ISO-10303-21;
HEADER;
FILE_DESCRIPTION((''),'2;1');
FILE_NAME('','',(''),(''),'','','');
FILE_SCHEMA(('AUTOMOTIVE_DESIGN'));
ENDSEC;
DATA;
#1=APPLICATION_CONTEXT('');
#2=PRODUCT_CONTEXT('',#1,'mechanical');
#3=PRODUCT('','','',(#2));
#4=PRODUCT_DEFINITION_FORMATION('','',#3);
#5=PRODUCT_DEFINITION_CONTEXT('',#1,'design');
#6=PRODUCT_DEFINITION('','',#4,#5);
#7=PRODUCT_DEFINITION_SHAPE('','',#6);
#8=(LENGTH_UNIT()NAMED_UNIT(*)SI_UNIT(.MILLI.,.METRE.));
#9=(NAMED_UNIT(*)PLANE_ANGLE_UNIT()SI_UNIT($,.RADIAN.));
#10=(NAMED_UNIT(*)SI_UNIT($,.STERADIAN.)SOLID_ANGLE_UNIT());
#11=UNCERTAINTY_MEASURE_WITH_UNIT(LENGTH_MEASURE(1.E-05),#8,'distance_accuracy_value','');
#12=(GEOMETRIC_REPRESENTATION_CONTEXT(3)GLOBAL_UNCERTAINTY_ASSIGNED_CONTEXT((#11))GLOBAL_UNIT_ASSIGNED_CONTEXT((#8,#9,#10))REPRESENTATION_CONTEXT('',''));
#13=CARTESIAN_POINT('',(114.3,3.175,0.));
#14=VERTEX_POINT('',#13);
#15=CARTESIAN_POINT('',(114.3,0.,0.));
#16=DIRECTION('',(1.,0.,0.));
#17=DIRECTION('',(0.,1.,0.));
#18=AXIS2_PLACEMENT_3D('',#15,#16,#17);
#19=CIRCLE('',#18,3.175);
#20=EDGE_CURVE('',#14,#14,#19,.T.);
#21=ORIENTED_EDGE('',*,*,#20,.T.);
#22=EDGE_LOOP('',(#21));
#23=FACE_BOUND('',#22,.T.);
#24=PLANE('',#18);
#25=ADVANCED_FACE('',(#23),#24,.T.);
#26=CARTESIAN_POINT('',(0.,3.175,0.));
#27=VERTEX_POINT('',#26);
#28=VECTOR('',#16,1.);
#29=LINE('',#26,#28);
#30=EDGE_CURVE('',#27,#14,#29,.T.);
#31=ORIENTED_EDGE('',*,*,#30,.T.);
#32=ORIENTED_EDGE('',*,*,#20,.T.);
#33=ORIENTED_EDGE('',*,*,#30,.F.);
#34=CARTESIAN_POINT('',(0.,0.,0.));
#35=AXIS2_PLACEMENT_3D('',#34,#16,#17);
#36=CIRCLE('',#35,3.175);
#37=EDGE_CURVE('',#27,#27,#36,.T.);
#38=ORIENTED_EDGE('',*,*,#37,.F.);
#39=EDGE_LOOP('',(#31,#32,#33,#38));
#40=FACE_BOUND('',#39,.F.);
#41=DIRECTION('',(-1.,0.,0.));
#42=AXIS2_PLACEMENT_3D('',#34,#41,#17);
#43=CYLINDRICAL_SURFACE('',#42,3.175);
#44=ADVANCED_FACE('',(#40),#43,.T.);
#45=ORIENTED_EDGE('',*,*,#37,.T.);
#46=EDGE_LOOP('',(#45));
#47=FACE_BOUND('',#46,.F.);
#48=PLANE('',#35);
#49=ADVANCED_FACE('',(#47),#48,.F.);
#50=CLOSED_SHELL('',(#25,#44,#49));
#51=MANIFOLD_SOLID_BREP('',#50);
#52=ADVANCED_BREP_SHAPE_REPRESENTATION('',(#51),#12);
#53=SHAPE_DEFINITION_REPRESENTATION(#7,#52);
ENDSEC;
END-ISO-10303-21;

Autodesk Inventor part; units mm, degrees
ref_plane "YZ Plane" through (0, 0, 0) normal (1, 0, 0) x (0, 1, 0)
ref_plane "XZ Plane" through (0, 0, 0) normal (0, 1, 0) x (-1, 0, 0)
ref_plane "XY Plane" through (0, 0, 0) normal (0, 0, 1) x (1, 0, 0)
sketch "Sketch1" plane through (0, 0, 0) normal (1, 0, 0) x (0, 1, 0)
  circle A0 centre (0, 0) radius 3.175
  dimension "d0" = 6.35
extrude "Extrusion1" add sketch "Sketch1" along normal blind 114.3
properties part number ".25 axle size template"
